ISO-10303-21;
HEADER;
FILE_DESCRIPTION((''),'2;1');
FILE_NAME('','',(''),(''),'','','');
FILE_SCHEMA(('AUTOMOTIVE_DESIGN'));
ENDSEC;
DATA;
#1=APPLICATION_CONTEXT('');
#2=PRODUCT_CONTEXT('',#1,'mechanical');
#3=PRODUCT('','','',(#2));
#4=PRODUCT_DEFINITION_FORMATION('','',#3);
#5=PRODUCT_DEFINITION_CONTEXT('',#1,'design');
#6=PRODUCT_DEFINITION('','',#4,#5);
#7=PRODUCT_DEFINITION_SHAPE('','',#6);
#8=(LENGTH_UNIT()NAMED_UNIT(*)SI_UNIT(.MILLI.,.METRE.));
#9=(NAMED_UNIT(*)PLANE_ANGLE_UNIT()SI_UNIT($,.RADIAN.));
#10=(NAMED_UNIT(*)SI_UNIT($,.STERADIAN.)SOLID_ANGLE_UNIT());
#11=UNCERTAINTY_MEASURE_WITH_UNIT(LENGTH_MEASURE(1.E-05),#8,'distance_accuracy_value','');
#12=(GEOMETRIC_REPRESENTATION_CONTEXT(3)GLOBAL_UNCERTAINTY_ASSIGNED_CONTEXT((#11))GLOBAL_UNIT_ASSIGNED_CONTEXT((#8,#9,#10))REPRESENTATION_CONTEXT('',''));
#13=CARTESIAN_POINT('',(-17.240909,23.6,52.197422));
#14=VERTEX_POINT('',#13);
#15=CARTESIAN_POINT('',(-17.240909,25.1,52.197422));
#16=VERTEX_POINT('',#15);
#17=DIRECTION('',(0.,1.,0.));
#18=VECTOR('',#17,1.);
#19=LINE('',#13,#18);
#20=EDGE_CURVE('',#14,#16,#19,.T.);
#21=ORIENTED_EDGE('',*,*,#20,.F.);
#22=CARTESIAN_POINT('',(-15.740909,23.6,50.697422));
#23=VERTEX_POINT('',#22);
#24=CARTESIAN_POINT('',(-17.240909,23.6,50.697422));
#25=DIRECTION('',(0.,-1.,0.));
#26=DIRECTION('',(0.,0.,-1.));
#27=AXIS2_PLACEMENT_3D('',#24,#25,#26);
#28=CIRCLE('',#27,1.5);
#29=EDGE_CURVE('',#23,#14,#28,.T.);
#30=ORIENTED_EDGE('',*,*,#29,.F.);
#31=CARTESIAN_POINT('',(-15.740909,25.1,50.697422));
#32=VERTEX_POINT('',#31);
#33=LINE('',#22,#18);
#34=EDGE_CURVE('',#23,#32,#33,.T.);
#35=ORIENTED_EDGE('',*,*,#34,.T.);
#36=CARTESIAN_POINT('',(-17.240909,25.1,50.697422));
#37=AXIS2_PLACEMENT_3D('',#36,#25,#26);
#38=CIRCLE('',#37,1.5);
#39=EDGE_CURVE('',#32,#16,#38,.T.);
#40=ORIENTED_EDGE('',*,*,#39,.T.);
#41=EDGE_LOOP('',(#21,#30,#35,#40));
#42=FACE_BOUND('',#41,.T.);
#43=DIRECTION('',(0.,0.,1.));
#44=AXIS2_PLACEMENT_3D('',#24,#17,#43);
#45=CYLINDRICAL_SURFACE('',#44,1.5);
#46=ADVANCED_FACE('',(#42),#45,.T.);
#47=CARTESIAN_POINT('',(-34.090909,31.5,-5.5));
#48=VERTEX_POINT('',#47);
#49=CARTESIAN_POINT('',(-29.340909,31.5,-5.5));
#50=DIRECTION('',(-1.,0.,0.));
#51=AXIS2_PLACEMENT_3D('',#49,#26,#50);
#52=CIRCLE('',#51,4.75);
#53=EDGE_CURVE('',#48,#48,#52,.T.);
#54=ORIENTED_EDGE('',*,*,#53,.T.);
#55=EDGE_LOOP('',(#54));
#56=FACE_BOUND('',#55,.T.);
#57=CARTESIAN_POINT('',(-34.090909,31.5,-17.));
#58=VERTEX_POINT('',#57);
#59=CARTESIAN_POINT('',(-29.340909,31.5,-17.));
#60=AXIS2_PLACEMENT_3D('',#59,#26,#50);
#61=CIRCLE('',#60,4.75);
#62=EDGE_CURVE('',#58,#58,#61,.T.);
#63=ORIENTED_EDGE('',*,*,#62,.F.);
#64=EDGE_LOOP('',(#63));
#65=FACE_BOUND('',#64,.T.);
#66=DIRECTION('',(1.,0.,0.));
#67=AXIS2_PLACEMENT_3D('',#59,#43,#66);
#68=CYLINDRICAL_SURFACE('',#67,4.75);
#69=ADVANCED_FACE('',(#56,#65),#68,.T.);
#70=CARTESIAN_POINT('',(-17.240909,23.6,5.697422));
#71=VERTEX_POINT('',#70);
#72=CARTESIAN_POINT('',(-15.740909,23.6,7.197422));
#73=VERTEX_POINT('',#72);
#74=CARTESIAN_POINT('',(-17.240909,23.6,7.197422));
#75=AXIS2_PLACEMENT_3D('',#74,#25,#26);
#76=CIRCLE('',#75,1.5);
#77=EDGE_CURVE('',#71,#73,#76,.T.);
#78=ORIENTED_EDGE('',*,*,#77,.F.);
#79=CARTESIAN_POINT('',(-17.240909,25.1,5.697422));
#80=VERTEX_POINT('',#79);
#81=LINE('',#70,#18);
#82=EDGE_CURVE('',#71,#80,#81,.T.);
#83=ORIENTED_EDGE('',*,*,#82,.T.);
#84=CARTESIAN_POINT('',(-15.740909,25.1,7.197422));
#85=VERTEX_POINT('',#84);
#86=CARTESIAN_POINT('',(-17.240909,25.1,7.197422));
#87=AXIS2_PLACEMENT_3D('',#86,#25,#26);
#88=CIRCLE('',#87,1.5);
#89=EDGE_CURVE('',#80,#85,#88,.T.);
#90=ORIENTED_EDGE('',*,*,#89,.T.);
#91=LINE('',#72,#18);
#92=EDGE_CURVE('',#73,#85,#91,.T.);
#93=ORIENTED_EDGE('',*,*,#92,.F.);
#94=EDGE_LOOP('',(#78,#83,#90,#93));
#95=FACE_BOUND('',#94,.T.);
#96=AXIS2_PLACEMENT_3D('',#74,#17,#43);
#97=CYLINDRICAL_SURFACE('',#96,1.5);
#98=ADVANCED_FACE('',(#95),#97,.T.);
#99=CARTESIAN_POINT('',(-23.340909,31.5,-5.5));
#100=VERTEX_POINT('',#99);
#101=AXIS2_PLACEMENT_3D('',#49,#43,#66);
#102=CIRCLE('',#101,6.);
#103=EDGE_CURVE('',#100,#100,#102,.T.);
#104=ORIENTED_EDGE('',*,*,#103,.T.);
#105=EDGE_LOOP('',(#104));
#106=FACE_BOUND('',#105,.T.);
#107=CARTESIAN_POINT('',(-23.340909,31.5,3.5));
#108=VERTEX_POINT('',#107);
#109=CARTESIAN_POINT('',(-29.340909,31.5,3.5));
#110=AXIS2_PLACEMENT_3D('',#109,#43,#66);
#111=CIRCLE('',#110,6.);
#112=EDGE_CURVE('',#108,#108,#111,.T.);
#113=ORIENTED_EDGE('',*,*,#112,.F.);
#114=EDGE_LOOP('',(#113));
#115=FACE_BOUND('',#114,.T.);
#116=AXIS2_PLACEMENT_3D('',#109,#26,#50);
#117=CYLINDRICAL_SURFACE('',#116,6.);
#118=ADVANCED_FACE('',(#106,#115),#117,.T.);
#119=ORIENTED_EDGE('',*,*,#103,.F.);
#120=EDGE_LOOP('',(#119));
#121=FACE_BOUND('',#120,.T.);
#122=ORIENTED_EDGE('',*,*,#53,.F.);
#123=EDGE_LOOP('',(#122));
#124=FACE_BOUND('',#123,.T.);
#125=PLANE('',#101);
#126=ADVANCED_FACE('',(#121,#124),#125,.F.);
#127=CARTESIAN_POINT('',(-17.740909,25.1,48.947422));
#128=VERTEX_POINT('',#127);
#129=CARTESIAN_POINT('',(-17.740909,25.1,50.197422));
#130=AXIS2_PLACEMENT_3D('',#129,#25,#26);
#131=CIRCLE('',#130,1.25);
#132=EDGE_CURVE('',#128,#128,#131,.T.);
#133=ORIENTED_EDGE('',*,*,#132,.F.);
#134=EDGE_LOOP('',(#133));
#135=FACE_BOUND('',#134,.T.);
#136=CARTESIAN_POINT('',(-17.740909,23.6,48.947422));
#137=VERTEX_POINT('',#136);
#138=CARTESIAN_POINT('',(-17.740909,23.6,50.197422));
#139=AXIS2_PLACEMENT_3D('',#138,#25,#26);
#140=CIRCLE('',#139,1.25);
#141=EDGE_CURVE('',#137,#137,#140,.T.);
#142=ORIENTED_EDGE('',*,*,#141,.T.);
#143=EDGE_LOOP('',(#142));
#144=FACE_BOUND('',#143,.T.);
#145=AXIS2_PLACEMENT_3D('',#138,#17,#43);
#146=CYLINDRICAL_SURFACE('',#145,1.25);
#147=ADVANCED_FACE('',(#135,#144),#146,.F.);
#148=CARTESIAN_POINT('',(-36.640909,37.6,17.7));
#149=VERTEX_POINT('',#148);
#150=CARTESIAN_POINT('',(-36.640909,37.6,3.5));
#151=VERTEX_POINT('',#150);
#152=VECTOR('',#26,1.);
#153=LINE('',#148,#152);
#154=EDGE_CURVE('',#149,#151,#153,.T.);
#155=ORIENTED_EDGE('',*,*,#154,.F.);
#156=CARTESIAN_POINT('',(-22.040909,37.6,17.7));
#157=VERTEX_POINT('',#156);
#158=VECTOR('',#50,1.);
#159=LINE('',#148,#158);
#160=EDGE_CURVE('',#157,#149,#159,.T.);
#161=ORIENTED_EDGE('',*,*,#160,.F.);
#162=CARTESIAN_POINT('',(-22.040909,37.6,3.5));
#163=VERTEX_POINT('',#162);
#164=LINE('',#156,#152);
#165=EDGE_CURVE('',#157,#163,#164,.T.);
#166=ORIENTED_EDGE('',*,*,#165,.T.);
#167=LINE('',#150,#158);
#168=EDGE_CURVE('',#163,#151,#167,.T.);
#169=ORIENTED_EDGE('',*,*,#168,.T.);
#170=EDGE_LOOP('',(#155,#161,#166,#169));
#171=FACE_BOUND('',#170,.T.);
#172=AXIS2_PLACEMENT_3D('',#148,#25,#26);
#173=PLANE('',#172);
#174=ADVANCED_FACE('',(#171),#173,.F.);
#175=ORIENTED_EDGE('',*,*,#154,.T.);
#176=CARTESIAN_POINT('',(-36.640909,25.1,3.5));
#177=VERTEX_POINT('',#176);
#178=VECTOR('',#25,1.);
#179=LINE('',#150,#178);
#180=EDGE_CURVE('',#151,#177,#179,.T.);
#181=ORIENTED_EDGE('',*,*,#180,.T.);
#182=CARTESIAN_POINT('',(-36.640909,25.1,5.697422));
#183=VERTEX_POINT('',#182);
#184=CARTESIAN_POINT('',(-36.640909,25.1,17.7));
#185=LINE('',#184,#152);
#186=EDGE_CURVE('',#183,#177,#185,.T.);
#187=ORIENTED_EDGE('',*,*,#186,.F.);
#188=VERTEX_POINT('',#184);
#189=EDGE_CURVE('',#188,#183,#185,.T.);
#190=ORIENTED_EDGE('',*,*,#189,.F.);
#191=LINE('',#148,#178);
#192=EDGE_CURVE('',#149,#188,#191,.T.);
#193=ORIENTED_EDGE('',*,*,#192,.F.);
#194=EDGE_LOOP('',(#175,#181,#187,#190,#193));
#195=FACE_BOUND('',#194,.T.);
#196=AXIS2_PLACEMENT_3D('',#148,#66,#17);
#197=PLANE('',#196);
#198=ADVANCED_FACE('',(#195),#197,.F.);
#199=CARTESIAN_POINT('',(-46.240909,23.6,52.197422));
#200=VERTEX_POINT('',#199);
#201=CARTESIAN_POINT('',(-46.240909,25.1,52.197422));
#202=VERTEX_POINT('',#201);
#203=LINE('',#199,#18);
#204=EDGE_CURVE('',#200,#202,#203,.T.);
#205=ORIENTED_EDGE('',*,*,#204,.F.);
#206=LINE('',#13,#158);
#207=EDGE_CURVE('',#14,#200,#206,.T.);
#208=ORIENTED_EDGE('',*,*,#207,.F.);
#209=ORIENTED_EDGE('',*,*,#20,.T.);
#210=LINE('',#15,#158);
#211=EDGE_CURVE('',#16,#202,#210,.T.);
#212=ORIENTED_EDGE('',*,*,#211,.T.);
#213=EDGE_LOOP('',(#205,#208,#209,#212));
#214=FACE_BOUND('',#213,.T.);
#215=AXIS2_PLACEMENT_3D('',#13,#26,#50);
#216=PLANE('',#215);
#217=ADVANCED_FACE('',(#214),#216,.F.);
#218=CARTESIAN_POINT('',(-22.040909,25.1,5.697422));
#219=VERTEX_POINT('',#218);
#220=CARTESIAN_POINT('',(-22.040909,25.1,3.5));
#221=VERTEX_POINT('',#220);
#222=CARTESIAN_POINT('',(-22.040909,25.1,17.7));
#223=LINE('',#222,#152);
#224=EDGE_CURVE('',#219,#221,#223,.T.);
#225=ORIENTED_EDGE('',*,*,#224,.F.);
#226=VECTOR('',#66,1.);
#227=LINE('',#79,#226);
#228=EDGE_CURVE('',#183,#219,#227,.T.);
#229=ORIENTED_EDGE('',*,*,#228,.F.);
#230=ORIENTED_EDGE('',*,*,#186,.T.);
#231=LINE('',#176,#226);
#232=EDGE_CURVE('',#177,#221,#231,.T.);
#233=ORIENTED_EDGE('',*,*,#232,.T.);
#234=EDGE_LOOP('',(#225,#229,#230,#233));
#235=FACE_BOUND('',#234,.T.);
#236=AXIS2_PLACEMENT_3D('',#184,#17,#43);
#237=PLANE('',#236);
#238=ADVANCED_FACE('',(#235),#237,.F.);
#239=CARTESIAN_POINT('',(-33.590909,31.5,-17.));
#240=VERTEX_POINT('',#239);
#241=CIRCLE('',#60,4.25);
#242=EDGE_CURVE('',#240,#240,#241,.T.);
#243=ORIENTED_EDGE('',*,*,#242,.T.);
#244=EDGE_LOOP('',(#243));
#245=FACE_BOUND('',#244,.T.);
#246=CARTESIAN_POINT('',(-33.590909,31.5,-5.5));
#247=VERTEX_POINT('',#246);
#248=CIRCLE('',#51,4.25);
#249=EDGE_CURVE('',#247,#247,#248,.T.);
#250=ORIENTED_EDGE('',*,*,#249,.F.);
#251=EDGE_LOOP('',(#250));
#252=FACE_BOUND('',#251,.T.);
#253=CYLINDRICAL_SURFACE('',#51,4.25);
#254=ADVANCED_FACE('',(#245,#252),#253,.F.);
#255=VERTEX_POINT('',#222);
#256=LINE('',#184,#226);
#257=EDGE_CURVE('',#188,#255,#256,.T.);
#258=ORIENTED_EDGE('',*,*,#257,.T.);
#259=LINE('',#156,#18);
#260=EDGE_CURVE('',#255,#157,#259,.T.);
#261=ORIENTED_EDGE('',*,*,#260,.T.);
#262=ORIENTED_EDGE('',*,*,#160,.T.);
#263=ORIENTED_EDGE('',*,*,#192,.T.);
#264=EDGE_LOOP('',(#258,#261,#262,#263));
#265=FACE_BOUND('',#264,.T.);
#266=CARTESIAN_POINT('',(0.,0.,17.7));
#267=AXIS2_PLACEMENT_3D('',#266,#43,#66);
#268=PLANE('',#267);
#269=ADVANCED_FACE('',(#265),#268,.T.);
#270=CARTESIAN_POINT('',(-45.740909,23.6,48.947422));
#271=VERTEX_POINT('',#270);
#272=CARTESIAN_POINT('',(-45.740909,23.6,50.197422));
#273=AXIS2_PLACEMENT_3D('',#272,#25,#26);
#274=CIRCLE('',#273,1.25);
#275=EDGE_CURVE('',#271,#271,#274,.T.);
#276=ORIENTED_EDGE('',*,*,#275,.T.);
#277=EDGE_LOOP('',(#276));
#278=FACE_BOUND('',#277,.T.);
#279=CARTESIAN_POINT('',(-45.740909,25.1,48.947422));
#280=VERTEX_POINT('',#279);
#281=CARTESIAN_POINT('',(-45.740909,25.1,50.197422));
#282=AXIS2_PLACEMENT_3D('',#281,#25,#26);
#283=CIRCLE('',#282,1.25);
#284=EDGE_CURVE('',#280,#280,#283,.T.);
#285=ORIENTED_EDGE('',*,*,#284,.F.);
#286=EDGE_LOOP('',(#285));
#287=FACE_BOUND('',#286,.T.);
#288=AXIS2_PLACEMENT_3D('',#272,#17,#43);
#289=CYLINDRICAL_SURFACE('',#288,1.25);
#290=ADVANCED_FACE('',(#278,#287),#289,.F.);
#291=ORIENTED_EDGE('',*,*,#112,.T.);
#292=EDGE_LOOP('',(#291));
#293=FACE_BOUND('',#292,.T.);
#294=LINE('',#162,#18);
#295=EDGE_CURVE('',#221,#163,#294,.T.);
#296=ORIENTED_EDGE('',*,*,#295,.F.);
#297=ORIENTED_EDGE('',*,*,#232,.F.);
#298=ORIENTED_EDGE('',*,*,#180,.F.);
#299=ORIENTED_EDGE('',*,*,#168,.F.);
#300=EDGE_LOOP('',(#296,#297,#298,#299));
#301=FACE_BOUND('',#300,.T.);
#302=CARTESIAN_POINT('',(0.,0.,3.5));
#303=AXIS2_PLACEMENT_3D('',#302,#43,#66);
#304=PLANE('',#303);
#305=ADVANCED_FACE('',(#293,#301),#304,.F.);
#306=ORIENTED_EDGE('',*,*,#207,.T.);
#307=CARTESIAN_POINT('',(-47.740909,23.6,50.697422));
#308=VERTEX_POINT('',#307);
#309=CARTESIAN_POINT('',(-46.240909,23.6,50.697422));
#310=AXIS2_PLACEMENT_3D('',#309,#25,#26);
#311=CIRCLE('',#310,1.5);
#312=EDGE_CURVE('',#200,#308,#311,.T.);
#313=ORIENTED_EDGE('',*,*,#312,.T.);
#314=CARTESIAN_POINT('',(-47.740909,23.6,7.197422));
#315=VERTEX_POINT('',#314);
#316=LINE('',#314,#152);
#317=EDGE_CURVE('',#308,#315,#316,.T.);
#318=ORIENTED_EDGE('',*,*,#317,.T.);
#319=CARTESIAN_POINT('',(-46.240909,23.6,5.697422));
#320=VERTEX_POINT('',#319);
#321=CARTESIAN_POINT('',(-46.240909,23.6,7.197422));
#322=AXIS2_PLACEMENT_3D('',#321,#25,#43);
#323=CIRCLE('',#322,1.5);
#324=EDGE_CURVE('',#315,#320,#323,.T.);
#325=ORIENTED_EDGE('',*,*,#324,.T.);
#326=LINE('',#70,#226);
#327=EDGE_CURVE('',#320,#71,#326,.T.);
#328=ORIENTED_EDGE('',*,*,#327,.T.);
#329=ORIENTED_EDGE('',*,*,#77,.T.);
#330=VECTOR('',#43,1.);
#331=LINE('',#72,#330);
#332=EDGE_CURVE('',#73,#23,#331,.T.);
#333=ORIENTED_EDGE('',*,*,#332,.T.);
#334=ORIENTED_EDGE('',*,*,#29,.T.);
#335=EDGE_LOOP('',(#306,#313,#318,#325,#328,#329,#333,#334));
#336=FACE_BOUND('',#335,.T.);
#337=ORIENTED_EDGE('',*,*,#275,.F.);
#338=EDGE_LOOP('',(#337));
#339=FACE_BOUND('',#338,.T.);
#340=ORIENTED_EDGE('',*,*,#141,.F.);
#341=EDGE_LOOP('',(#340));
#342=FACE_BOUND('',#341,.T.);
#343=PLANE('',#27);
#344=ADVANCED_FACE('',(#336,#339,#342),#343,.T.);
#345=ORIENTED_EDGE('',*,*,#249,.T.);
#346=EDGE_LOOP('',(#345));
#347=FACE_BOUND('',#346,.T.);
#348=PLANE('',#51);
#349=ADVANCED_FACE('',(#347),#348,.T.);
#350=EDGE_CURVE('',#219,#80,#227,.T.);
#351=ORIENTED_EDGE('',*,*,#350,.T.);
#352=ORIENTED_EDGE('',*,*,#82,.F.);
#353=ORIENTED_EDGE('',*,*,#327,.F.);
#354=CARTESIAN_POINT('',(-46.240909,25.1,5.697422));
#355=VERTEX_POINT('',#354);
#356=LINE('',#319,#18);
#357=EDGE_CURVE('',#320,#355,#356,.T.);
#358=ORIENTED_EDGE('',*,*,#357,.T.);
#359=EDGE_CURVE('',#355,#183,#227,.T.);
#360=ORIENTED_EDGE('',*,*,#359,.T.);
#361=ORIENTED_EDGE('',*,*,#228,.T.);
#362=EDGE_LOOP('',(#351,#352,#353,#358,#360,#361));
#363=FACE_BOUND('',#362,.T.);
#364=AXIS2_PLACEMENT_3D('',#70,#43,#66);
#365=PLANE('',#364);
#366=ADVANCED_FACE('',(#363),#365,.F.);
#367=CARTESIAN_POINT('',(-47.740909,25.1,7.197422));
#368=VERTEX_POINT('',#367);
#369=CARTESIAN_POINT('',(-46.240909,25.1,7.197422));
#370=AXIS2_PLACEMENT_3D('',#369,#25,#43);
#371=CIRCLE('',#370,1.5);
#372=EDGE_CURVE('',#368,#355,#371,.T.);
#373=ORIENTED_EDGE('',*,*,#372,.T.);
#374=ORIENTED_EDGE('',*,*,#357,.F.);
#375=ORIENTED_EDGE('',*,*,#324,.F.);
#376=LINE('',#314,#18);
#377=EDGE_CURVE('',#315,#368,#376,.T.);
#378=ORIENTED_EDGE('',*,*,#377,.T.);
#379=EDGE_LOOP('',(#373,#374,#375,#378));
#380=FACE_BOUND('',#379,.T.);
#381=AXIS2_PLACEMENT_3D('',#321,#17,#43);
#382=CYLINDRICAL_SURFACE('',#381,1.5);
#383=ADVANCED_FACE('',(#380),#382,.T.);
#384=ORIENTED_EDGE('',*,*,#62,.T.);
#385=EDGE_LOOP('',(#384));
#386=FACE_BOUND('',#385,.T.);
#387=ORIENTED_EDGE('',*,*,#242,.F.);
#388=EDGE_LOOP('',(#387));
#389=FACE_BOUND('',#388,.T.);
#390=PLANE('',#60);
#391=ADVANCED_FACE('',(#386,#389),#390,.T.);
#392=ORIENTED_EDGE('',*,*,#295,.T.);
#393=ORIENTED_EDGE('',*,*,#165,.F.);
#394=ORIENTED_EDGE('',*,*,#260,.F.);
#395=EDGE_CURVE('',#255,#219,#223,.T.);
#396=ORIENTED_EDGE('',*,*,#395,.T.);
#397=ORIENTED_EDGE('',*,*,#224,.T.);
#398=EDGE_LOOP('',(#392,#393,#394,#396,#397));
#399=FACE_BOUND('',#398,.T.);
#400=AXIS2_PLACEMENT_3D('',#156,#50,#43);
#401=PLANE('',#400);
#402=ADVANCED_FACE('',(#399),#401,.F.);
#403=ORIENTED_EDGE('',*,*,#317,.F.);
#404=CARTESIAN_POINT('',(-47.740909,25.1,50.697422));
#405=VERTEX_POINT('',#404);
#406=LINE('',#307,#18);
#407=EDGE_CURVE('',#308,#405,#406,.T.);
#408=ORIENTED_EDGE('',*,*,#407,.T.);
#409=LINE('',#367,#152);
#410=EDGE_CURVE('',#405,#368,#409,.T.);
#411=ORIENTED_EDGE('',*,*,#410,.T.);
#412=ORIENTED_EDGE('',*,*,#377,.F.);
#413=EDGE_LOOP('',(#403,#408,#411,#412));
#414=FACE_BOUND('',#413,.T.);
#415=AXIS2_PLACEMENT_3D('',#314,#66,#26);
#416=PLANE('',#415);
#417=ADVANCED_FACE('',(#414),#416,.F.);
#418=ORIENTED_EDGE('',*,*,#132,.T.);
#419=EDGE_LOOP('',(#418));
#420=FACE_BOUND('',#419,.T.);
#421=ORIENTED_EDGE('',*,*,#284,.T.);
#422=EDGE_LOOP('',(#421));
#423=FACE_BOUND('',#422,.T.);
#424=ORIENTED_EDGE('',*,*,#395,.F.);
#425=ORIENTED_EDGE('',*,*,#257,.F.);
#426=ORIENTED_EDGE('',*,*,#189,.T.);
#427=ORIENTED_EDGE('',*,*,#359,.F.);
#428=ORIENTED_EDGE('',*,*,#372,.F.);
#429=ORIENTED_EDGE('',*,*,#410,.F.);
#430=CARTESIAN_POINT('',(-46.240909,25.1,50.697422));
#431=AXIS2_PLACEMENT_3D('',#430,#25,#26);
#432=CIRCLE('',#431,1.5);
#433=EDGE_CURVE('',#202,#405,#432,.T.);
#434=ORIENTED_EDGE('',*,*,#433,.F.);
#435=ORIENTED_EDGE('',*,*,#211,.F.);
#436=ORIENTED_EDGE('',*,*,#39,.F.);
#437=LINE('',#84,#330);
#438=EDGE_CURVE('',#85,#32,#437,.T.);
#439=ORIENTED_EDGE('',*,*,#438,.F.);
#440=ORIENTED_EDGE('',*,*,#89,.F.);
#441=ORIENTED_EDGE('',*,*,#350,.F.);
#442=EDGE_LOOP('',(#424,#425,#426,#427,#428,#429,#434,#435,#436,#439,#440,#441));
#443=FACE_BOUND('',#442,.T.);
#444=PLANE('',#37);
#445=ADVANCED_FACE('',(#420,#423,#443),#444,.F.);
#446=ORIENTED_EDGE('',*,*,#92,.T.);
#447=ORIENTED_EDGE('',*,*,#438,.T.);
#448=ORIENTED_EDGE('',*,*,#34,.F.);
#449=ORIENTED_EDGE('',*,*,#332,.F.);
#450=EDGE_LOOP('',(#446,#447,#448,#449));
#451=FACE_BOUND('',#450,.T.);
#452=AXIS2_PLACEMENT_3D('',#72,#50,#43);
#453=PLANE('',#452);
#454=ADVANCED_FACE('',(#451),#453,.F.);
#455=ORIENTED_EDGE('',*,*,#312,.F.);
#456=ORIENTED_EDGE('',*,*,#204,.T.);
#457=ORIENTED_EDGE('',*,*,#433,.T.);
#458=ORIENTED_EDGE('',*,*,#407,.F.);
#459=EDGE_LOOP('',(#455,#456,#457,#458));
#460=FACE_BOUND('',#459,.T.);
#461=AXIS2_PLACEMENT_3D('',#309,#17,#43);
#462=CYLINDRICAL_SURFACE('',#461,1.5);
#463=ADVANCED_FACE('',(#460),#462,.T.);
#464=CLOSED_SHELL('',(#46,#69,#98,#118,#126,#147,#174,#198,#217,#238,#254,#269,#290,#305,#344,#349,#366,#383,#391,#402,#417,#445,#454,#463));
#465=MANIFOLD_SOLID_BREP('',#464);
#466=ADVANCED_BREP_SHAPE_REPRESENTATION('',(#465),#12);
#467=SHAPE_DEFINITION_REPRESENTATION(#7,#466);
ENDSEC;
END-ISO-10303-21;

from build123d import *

# Parameters (mm, degrees)
EXTRUDE_1_DEPTH      = 3.5
EXTRUDE_1_DEPTH_BACK = 5.5
SKETCH_1_R           = 6
SKETCH_2_R           = 4.75
EXTRUDE_2_DEPTH      = 11.5
SKETCH_3_R           = 4.25
CUT_EXTRUDE_1_DEPTH  = 11.5
SKETCH_4_W           = 14.6
SKETCH_4_H           = 12.5
EXTRUDE_3_DEPTH      = 14.2
SKETCH_5_R           = 1.25
EXTRUDE_4_DEPTH      = 1.5


with BuildPart() as part:
    # 草圖1 → 填料-伸長1 (new, two sides: drawn at the far end of the back side and taken through both)
    with BuildSketch(Plane.XY.offset(-EXTRUDE_1_DEPTH_BACK)):
        with Locations((-29.340909091, 31.5)):
            Circle(SKETCH_1_R)
    extrude(amount=EXTRUDE_1_DEPTH + EXTRUDE_1_DEPTH_BACK)

    # 草圖2 → 填料-伸長2 (add)
    with BuildSketch(Plane(origin=(0, 0, -5.5), x_dir=(-1, 0, 0), z_dir=(0, 0, -1))):
        with Locations((29.340909091, 31.5)):
            Circle(SKETCH_2_R)
    extrude(amount=EXTRUDE_2_DEPTH)

    # 草圖3 → 除料-伸長1 (cut)
    with BuildSketch(Plane(origin=(0, 0, -17), x_dir=(-1, 0, 0), z_dir=(0, 0, -1))):
        with Locations((29.340909091, 31.5)):
            Circle(SKETCH_3_R)
    extrude(amount=-CUT_EXTRUDE_1_DEPTH, mode=Mode.SUBTRACT)

    # 草圖4 → 填料-伸長3 (add)
    with BuildSketch(Plane.XY.offset(3.5)):
        with Locations((-29.340909091, 31.35)):
            Rectangle(SKETCH_4_W, SKETCH_4_H)
    extrude(amount=EXTRUDE_3_DEPTH)

    # 草圖5 → 填料-伸長4 (add)
    with BuildSketch(Plane.XZ.offset(-25.1)):
        with BuildLine():
            Line((-17.240909091, 5.697422491), (-46.240909091, 5.697422491))
            ThreePointArc((-46.240909091, 5.697422491), (-47.301569263, 6.136762319), (-47.740909091, 7.197422491))
            Line((-47.740909091, 7.197422491), (-47.740909091, 50.697422491))
            ThreePointArc((-47.740909091, 50.697422491), (-47.301569263, 51.758082663), (-46.240909091, 52.197422491))
            Line((-46.240909091, 52.197422491), (-17.240909091, 52.197422491))
            ThreePointArc((-17.240909091, 52.197422491), (-16.180248919, 51.758082663), (-15.740909091, 50.697422491))
            Line((-15.740909091, 50.697422491), (-15.740909091, 7.197422491))
            ThreePointArc((-15.740909091, 7.197422491), (-16.180248919, 6.136762319), (-17.240909091, 5.697422491))
        make_face()
        with Locations(Location((-17.740909091, 50.197422491, 0), (0, 0, 270))):
            Circle(SKETCH_5_R, mode=Mode.SUBTRACT)
        with Locations(Location((-45.740909091, 50.197422491, 0), (0, 0, 270))):
            Circle(SKETCH_5_R, mode=Mode.SUBTRACT)
    extrude(amount=EXTRUDE_4_DEPTH)


solid = part.part
